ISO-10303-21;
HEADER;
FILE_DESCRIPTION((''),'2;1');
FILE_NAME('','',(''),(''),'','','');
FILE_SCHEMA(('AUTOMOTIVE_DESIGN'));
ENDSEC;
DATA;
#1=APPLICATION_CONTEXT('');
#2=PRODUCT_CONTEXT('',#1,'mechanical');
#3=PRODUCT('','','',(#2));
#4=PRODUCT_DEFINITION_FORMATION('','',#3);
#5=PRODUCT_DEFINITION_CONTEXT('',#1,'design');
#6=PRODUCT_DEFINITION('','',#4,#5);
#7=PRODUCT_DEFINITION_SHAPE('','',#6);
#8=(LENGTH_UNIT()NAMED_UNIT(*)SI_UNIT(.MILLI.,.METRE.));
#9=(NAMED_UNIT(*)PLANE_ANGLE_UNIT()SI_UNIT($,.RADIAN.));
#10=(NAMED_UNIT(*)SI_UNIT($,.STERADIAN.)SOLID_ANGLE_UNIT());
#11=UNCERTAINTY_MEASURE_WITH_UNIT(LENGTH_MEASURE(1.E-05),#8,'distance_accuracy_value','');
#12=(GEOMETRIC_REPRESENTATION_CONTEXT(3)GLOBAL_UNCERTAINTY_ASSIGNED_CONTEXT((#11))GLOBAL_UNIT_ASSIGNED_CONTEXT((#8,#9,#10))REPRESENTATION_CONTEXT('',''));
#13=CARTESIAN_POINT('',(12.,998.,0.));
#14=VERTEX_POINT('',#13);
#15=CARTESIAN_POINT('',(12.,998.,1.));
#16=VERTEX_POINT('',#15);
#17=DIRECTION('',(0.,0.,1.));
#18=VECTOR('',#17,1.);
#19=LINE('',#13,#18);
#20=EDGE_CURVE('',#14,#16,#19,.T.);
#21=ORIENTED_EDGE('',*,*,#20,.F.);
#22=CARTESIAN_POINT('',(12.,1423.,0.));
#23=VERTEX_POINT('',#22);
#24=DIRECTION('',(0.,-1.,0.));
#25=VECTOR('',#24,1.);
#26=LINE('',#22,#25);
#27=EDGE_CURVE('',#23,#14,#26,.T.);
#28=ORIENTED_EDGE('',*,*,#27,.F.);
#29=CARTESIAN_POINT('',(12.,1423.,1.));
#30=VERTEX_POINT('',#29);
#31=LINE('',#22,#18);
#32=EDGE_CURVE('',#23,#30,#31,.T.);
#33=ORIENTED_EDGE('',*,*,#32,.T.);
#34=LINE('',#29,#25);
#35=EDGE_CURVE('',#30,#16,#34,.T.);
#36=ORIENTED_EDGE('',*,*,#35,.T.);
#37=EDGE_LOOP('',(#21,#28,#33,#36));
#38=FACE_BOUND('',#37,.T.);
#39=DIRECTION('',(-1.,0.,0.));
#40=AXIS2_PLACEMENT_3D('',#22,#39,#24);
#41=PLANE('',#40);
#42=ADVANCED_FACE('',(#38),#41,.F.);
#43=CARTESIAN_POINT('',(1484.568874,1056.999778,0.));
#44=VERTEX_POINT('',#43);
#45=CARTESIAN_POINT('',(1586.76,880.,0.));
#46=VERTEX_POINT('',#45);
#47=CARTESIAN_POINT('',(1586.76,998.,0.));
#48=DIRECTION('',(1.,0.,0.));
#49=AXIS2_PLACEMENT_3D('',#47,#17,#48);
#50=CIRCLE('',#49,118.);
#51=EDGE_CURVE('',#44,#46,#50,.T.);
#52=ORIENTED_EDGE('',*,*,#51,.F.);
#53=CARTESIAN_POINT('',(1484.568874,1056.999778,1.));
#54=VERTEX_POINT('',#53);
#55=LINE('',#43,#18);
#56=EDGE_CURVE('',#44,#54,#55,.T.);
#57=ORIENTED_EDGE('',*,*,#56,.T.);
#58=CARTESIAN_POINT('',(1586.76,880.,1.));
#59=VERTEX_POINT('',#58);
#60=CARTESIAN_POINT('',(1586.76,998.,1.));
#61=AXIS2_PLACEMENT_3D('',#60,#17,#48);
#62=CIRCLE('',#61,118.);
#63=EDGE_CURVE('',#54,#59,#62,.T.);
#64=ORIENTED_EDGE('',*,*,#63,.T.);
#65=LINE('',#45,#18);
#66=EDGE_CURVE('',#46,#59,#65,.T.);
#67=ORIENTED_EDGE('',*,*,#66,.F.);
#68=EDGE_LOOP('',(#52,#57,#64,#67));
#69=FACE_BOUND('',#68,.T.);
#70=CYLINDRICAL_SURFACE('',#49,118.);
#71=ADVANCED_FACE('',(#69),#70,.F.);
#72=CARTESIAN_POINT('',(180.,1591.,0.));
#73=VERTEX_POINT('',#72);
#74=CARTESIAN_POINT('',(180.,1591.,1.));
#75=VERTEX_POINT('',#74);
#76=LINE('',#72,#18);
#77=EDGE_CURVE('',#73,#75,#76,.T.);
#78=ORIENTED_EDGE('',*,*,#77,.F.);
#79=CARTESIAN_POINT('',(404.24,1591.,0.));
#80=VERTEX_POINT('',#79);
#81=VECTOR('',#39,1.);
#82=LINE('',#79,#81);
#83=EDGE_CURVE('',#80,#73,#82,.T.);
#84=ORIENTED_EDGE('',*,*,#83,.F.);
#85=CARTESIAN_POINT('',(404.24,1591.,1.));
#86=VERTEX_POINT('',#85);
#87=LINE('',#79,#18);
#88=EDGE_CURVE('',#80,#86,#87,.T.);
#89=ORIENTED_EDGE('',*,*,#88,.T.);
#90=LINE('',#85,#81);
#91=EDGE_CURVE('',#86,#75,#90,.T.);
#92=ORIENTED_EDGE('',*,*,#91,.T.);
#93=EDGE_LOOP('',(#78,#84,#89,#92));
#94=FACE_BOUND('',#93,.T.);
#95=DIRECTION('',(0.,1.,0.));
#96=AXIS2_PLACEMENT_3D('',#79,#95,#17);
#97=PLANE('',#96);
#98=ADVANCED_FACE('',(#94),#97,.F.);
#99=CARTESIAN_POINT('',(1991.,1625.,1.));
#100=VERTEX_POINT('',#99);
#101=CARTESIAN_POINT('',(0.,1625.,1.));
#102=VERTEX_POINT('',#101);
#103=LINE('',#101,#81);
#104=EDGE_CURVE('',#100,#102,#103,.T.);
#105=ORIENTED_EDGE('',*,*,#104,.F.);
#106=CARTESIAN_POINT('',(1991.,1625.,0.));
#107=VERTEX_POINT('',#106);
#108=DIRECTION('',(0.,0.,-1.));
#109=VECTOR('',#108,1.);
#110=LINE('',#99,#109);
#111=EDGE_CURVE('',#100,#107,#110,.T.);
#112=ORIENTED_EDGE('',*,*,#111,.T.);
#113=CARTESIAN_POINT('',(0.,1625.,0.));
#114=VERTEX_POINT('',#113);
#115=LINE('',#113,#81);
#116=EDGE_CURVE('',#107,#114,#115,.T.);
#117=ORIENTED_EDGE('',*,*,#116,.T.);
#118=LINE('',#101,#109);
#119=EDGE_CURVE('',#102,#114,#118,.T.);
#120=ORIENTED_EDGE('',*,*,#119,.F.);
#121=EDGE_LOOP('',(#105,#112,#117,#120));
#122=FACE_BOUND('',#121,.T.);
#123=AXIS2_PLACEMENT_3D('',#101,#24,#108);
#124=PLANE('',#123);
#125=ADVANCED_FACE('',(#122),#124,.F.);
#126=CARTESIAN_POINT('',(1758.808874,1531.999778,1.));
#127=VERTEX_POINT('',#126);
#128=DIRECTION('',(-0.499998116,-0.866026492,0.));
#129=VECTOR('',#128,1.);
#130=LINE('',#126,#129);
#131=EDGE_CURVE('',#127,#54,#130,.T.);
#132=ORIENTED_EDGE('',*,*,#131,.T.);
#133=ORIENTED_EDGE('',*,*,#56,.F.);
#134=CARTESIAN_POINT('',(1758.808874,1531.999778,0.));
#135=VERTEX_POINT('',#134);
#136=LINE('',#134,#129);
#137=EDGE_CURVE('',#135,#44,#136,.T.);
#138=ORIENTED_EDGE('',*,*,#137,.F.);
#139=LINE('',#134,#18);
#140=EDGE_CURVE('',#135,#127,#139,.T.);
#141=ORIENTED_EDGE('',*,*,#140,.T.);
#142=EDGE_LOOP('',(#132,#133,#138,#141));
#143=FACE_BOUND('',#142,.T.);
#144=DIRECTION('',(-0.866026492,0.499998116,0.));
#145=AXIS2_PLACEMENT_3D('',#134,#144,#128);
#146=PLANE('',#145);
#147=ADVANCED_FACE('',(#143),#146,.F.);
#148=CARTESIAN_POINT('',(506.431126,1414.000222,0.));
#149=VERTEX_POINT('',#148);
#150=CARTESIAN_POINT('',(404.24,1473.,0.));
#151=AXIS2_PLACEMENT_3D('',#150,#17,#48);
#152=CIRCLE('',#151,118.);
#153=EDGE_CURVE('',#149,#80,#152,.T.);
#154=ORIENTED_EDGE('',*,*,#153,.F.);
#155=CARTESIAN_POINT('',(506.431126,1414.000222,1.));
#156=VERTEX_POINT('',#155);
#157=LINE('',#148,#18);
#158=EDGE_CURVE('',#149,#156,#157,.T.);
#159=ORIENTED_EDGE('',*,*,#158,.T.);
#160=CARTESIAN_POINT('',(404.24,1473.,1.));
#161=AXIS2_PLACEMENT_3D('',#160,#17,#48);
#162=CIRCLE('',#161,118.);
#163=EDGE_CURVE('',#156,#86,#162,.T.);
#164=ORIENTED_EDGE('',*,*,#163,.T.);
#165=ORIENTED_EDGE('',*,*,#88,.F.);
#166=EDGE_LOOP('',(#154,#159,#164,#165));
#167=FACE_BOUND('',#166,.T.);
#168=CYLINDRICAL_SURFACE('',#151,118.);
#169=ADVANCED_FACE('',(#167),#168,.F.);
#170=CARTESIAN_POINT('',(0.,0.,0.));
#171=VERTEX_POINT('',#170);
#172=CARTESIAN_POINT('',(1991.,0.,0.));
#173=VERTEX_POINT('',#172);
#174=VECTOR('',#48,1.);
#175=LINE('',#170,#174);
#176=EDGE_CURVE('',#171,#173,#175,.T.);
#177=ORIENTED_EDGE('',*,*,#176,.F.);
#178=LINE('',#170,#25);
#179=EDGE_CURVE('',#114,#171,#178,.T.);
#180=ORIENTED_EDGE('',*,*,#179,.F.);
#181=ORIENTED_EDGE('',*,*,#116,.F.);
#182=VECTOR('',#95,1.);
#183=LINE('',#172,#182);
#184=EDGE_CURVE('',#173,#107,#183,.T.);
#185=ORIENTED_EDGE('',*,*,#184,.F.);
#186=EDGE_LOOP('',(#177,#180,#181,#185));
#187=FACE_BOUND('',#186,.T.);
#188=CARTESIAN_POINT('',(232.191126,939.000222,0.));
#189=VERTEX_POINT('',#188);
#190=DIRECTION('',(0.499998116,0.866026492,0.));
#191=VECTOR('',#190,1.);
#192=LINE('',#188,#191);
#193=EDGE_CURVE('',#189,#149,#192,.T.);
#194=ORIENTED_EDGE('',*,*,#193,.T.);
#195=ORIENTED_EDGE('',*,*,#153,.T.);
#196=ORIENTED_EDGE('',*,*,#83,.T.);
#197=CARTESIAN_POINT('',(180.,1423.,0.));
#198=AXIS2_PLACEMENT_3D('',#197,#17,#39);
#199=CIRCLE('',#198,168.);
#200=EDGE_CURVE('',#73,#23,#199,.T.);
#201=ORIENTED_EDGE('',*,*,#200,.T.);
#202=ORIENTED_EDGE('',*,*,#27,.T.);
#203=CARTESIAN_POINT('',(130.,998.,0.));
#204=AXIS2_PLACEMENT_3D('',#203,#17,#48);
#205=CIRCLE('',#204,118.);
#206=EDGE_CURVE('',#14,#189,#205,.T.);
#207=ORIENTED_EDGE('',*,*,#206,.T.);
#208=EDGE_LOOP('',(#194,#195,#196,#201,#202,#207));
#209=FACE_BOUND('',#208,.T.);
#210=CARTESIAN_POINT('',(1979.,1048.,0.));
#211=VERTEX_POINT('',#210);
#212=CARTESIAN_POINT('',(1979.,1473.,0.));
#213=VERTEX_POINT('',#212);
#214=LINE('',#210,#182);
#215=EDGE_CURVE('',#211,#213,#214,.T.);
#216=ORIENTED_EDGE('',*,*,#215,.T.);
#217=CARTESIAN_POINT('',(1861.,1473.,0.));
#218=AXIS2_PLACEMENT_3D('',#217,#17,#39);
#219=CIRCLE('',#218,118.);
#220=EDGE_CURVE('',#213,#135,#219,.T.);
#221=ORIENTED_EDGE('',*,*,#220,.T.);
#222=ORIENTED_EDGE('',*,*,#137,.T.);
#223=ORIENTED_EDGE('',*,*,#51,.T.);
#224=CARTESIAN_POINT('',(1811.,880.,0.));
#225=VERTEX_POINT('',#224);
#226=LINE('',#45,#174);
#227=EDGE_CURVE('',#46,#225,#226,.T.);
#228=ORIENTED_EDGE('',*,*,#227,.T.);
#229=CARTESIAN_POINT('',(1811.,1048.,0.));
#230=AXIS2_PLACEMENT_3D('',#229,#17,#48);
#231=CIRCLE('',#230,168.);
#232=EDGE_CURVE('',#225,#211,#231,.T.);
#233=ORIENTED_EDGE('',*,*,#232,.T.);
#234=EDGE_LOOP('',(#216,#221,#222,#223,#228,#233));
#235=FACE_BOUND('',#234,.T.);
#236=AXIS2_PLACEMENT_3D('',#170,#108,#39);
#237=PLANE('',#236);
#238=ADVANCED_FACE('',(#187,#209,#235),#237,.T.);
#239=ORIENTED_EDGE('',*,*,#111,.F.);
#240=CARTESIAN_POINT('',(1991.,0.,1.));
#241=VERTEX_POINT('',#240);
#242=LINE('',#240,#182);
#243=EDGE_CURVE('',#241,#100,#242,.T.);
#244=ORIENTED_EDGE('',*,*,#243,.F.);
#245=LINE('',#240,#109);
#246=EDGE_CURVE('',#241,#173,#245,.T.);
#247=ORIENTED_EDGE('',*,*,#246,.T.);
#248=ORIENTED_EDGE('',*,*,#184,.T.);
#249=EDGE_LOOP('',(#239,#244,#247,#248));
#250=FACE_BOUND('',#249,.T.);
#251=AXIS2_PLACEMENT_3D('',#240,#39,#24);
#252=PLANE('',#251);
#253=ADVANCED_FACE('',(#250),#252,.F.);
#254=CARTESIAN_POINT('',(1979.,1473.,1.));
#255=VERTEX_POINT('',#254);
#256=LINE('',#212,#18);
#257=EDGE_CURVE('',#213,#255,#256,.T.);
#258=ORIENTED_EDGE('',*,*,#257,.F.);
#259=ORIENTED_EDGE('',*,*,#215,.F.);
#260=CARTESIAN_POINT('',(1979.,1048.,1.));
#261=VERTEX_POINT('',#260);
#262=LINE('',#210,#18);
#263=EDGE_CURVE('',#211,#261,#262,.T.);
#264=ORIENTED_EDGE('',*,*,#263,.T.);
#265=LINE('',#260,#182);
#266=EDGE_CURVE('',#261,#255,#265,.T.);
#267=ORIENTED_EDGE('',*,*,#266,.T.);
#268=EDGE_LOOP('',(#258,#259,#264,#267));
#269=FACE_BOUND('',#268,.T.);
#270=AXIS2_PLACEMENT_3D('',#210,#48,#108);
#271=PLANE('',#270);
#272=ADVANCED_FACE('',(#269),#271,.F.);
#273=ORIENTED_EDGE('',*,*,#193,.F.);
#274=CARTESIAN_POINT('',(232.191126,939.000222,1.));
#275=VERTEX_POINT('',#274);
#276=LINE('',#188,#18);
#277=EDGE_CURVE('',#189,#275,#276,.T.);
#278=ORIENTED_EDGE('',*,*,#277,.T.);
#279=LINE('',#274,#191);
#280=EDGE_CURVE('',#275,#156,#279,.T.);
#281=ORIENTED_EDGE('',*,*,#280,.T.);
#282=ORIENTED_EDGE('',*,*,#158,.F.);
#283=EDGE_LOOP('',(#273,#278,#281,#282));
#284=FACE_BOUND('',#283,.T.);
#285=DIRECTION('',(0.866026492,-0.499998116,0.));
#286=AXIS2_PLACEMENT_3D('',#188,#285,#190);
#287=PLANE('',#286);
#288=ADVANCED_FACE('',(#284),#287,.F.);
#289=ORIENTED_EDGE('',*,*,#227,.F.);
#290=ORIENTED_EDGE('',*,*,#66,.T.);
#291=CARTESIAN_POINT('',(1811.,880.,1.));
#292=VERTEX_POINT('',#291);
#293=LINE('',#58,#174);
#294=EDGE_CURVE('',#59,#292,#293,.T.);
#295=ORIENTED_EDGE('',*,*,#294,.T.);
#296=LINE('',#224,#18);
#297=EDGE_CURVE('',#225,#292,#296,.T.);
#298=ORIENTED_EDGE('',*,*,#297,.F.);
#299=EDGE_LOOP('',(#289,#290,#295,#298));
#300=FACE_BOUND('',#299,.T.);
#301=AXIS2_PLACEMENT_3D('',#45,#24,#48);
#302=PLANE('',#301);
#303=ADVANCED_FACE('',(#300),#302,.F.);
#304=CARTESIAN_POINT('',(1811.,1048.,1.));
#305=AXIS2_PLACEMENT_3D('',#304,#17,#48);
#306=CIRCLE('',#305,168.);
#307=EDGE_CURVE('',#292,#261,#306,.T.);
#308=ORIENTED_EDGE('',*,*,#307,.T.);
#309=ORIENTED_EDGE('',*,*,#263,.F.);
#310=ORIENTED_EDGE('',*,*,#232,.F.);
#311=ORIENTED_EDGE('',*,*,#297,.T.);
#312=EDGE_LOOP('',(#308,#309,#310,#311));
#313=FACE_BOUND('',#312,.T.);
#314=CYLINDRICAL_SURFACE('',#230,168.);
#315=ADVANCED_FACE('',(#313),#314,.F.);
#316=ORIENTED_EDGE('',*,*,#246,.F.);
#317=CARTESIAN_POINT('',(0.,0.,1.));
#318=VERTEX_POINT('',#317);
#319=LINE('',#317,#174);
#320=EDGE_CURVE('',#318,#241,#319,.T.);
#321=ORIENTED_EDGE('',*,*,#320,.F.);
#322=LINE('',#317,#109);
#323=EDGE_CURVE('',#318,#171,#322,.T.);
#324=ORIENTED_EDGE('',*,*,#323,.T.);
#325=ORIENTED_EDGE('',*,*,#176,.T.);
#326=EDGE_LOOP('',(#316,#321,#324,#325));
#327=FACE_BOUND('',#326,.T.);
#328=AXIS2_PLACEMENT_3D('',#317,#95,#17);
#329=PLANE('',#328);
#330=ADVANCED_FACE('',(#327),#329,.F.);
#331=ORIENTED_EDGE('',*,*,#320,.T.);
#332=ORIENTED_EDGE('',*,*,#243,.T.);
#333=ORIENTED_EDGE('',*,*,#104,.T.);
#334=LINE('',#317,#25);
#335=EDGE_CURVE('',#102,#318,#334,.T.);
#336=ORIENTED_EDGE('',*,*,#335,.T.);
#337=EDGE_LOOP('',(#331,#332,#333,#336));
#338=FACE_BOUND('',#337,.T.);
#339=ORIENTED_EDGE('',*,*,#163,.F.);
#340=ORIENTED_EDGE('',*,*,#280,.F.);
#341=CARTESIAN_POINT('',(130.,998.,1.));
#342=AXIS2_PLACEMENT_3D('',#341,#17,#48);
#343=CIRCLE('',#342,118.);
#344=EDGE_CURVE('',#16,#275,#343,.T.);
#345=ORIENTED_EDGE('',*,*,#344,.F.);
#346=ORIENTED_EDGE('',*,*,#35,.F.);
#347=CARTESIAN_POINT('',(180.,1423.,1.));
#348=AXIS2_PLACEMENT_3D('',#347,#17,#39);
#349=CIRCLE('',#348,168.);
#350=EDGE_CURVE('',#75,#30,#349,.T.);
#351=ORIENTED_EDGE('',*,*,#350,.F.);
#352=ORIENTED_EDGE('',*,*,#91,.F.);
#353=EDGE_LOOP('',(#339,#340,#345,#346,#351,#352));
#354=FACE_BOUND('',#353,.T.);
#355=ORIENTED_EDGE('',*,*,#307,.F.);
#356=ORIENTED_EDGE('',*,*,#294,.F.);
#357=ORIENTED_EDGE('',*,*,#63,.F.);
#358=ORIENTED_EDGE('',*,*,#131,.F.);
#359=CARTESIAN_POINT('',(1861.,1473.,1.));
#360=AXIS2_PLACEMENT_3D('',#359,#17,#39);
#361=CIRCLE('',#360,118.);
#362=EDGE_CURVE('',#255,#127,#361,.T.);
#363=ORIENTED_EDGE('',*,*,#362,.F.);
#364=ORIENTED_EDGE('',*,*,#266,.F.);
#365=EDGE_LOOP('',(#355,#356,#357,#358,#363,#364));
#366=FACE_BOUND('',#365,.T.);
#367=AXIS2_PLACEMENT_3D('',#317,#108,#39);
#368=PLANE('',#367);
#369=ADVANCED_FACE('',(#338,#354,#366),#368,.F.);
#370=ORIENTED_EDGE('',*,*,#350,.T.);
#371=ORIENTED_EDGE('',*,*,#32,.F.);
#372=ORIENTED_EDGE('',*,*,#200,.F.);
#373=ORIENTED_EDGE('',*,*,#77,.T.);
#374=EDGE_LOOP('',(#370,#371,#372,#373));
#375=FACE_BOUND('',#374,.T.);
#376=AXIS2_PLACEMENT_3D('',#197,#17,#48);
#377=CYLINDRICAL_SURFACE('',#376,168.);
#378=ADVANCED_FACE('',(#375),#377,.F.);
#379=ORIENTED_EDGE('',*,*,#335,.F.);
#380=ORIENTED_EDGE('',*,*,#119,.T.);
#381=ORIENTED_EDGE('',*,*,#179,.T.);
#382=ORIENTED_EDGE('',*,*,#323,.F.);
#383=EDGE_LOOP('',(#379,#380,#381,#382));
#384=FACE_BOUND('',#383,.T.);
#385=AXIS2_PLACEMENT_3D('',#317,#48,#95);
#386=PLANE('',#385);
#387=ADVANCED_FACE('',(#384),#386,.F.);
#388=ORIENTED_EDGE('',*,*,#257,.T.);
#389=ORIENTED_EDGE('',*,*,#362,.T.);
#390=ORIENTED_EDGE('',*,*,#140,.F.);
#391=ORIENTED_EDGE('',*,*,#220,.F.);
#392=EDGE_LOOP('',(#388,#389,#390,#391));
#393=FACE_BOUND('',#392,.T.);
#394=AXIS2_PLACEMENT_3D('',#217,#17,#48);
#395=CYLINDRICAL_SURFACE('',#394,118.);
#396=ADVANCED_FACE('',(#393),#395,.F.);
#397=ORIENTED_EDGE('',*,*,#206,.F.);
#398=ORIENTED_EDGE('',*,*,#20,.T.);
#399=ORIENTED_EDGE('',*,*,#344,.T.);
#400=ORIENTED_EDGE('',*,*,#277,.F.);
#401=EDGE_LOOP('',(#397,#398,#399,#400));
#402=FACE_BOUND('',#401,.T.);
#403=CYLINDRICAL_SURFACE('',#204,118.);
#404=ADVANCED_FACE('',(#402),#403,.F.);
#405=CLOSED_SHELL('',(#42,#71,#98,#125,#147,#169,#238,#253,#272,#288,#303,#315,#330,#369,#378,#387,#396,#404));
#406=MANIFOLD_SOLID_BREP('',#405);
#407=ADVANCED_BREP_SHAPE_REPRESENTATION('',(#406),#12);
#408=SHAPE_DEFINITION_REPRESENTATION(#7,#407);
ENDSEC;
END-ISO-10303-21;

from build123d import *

# Parameters (mm, degrees)
SKETCH1_W           = 1991
SKETCH1_H           = 1625
BOSS_EXTRUDE1_DEPTH = 1
CUT_EXTRUDE1_DEPTH  = 2789.8673629


with BuildPart() as part:
    # Sketch1 → Boss-Extrude1 (new body)
    with BuildSketch(Plane.XY):
        with Locations((995.5, 812.5)):
            Rectangle(SKETCH1_W, SKETCH1_H)
    extrude(amount=BOSS_EXTRUDE1_DEPTH)

    # Sketch2 → Cut-Extrude1 (cut, through all)
    with BuildSketch(Plane(origin=(259.963517843, -561.616762327, 1), x_dir=(1, 0, 0), z_dir=(0, 0, 1))):
        with BuildLine():
            Line((1498.845356152, 2093.616540003), (1224.605356152, 1618.616540003))
            ThreePointArc((1224.605356152, 1618.616540003), (1224.605548691, 1500.616651165), (1326.796482157, 1441.616762327))
            Line((1326.796482157, 1441.616762327), (1551.036482157, 1441.616762327))
            ThreePointArc((1551.036482157, 1441.616762327), (1669.830421397, 1490.822823088), (1719.036482157, 1609.616762327))
            Line((1719.036482157, 1609.616762327), (1719.036482157, 2034.616762327))
            ThreePointArc((1719.036482157, 2034.616762327), (1631.577005494, 2148.596043051), (1498.845356152, 2093.616540003))
        make_face()
        with BuildLine():
            Line((-247.963517843, 1984.616762327), (-247.963517843, 1559.616762327))
            ThreePointArc((-247.963517843, 1559.616762327), (-160.504041179, 1445.637481603), (-27.772391837, 1500.616984652))
            Line((-27.772391837, 1500.616984652), (246.467608163, 1975.616984652))
            ThreePointArc((246.467608163, 1975.616984652), (246.467415624, 2093.61687349), (144.276482157, 2152.616762327))
            Line((144.276482157, 2152.616762327), (-79.963517843, 2152.616762327))
            ThreePointArc((-79.963517843, 2152.616762327), (-198.757457082, 2103.410701567), (-247.963517843, 1984.616762327))
        make_face()
    extrude(amount=-CUT_EXTRUDE1_DEPTH, mode=Mode.SUBTRACT)


solid = part.part
